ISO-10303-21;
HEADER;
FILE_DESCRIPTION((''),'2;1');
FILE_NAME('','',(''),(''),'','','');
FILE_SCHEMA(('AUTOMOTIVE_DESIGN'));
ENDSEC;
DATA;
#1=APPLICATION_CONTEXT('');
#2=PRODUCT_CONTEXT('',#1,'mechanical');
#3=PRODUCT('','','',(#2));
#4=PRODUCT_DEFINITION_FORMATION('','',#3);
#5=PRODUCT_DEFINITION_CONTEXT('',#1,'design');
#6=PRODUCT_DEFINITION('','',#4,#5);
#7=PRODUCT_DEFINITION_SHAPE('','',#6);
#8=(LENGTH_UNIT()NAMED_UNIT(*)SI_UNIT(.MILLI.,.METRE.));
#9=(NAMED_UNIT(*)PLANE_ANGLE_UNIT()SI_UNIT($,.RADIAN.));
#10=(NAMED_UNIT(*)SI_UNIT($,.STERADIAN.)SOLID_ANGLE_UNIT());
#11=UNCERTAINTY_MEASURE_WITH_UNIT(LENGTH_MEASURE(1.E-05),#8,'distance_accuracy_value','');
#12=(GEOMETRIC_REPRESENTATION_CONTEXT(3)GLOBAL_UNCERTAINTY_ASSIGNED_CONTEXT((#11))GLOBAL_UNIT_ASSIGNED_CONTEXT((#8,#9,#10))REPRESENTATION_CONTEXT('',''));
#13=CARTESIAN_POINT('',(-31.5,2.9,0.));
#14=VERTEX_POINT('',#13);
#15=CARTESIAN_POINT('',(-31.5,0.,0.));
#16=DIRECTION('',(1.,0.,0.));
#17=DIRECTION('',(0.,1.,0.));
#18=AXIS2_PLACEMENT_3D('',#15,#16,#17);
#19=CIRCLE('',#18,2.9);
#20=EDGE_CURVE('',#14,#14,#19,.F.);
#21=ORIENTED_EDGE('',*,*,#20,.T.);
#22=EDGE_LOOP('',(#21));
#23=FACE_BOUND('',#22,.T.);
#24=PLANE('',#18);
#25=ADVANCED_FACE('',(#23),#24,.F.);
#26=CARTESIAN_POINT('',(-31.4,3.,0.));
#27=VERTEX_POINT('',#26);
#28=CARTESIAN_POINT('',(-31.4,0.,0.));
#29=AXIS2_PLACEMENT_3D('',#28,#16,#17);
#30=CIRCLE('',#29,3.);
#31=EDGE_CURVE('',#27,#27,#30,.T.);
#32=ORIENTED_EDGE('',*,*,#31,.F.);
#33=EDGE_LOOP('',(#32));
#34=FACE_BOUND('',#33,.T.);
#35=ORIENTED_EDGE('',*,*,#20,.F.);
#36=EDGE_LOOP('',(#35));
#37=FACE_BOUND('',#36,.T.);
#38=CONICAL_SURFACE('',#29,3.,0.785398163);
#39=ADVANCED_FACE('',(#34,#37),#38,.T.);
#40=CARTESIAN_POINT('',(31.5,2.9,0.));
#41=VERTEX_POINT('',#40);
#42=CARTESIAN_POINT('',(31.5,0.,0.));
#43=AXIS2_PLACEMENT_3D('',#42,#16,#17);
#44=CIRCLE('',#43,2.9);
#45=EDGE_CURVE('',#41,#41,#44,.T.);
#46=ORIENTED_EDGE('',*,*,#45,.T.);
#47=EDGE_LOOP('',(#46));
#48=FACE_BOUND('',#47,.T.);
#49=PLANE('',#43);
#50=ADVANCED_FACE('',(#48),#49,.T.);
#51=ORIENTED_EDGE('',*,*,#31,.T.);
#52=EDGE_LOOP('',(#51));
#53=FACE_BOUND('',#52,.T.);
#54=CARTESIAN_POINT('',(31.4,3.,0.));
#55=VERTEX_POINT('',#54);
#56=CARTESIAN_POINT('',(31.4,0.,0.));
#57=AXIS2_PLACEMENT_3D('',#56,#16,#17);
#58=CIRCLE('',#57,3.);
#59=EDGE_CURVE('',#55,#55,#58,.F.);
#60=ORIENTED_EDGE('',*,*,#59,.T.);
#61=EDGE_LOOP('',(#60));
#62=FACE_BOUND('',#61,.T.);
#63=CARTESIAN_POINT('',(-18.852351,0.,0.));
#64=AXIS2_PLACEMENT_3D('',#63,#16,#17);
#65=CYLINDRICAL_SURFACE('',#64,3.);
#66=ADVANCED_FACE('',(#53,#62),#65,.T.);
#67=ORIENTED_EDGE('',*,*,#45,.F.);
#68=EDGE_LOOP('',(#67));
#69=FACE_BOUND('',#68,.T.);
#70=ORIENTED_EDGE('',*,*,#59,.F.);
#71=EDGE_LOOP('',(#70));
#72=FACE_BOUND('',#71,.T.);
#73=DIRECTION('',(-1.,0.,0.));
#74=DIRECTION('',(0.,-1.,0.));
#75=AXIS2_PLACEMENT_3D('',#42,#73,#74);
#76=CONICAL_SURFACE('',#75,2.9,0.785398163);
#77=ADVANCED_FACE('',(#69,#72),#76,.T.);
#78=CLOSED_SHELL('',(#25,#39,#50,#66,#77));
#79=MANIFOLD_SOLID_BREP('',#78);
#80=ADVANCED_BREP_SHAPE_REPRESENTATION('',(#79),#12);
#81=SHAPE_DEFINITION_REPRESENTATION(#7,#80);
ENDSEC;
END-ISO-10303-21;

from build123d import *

# Parameters (mm, degrees)
SKETCH1_W     = 63
SKETCH1_H     = 3
CHAMFER1_SIZE = 0.1


with BuildPart() as part:
    # Sketch1 → Revolve1 (revolve)
    with BuildSketch(Plane.XY):
        with Locations((0, 1.5)):
            Rectangle(SKETCH1_W, SKETCH1_H)
    revolve(axis=Axis((-18.852351046, 0, 0), (-1, 0, 0)))

    # Chamfer1
    chamfer1_edges = [part.edges().sort_by_distance(p)[0] for p in [
        (-31.5, -3, 0),
        (31.5, -3, 0),
    ]]
    chamfer(chamfer1_edges, length=CHAMFER1_SIZE)


solid = part.part
